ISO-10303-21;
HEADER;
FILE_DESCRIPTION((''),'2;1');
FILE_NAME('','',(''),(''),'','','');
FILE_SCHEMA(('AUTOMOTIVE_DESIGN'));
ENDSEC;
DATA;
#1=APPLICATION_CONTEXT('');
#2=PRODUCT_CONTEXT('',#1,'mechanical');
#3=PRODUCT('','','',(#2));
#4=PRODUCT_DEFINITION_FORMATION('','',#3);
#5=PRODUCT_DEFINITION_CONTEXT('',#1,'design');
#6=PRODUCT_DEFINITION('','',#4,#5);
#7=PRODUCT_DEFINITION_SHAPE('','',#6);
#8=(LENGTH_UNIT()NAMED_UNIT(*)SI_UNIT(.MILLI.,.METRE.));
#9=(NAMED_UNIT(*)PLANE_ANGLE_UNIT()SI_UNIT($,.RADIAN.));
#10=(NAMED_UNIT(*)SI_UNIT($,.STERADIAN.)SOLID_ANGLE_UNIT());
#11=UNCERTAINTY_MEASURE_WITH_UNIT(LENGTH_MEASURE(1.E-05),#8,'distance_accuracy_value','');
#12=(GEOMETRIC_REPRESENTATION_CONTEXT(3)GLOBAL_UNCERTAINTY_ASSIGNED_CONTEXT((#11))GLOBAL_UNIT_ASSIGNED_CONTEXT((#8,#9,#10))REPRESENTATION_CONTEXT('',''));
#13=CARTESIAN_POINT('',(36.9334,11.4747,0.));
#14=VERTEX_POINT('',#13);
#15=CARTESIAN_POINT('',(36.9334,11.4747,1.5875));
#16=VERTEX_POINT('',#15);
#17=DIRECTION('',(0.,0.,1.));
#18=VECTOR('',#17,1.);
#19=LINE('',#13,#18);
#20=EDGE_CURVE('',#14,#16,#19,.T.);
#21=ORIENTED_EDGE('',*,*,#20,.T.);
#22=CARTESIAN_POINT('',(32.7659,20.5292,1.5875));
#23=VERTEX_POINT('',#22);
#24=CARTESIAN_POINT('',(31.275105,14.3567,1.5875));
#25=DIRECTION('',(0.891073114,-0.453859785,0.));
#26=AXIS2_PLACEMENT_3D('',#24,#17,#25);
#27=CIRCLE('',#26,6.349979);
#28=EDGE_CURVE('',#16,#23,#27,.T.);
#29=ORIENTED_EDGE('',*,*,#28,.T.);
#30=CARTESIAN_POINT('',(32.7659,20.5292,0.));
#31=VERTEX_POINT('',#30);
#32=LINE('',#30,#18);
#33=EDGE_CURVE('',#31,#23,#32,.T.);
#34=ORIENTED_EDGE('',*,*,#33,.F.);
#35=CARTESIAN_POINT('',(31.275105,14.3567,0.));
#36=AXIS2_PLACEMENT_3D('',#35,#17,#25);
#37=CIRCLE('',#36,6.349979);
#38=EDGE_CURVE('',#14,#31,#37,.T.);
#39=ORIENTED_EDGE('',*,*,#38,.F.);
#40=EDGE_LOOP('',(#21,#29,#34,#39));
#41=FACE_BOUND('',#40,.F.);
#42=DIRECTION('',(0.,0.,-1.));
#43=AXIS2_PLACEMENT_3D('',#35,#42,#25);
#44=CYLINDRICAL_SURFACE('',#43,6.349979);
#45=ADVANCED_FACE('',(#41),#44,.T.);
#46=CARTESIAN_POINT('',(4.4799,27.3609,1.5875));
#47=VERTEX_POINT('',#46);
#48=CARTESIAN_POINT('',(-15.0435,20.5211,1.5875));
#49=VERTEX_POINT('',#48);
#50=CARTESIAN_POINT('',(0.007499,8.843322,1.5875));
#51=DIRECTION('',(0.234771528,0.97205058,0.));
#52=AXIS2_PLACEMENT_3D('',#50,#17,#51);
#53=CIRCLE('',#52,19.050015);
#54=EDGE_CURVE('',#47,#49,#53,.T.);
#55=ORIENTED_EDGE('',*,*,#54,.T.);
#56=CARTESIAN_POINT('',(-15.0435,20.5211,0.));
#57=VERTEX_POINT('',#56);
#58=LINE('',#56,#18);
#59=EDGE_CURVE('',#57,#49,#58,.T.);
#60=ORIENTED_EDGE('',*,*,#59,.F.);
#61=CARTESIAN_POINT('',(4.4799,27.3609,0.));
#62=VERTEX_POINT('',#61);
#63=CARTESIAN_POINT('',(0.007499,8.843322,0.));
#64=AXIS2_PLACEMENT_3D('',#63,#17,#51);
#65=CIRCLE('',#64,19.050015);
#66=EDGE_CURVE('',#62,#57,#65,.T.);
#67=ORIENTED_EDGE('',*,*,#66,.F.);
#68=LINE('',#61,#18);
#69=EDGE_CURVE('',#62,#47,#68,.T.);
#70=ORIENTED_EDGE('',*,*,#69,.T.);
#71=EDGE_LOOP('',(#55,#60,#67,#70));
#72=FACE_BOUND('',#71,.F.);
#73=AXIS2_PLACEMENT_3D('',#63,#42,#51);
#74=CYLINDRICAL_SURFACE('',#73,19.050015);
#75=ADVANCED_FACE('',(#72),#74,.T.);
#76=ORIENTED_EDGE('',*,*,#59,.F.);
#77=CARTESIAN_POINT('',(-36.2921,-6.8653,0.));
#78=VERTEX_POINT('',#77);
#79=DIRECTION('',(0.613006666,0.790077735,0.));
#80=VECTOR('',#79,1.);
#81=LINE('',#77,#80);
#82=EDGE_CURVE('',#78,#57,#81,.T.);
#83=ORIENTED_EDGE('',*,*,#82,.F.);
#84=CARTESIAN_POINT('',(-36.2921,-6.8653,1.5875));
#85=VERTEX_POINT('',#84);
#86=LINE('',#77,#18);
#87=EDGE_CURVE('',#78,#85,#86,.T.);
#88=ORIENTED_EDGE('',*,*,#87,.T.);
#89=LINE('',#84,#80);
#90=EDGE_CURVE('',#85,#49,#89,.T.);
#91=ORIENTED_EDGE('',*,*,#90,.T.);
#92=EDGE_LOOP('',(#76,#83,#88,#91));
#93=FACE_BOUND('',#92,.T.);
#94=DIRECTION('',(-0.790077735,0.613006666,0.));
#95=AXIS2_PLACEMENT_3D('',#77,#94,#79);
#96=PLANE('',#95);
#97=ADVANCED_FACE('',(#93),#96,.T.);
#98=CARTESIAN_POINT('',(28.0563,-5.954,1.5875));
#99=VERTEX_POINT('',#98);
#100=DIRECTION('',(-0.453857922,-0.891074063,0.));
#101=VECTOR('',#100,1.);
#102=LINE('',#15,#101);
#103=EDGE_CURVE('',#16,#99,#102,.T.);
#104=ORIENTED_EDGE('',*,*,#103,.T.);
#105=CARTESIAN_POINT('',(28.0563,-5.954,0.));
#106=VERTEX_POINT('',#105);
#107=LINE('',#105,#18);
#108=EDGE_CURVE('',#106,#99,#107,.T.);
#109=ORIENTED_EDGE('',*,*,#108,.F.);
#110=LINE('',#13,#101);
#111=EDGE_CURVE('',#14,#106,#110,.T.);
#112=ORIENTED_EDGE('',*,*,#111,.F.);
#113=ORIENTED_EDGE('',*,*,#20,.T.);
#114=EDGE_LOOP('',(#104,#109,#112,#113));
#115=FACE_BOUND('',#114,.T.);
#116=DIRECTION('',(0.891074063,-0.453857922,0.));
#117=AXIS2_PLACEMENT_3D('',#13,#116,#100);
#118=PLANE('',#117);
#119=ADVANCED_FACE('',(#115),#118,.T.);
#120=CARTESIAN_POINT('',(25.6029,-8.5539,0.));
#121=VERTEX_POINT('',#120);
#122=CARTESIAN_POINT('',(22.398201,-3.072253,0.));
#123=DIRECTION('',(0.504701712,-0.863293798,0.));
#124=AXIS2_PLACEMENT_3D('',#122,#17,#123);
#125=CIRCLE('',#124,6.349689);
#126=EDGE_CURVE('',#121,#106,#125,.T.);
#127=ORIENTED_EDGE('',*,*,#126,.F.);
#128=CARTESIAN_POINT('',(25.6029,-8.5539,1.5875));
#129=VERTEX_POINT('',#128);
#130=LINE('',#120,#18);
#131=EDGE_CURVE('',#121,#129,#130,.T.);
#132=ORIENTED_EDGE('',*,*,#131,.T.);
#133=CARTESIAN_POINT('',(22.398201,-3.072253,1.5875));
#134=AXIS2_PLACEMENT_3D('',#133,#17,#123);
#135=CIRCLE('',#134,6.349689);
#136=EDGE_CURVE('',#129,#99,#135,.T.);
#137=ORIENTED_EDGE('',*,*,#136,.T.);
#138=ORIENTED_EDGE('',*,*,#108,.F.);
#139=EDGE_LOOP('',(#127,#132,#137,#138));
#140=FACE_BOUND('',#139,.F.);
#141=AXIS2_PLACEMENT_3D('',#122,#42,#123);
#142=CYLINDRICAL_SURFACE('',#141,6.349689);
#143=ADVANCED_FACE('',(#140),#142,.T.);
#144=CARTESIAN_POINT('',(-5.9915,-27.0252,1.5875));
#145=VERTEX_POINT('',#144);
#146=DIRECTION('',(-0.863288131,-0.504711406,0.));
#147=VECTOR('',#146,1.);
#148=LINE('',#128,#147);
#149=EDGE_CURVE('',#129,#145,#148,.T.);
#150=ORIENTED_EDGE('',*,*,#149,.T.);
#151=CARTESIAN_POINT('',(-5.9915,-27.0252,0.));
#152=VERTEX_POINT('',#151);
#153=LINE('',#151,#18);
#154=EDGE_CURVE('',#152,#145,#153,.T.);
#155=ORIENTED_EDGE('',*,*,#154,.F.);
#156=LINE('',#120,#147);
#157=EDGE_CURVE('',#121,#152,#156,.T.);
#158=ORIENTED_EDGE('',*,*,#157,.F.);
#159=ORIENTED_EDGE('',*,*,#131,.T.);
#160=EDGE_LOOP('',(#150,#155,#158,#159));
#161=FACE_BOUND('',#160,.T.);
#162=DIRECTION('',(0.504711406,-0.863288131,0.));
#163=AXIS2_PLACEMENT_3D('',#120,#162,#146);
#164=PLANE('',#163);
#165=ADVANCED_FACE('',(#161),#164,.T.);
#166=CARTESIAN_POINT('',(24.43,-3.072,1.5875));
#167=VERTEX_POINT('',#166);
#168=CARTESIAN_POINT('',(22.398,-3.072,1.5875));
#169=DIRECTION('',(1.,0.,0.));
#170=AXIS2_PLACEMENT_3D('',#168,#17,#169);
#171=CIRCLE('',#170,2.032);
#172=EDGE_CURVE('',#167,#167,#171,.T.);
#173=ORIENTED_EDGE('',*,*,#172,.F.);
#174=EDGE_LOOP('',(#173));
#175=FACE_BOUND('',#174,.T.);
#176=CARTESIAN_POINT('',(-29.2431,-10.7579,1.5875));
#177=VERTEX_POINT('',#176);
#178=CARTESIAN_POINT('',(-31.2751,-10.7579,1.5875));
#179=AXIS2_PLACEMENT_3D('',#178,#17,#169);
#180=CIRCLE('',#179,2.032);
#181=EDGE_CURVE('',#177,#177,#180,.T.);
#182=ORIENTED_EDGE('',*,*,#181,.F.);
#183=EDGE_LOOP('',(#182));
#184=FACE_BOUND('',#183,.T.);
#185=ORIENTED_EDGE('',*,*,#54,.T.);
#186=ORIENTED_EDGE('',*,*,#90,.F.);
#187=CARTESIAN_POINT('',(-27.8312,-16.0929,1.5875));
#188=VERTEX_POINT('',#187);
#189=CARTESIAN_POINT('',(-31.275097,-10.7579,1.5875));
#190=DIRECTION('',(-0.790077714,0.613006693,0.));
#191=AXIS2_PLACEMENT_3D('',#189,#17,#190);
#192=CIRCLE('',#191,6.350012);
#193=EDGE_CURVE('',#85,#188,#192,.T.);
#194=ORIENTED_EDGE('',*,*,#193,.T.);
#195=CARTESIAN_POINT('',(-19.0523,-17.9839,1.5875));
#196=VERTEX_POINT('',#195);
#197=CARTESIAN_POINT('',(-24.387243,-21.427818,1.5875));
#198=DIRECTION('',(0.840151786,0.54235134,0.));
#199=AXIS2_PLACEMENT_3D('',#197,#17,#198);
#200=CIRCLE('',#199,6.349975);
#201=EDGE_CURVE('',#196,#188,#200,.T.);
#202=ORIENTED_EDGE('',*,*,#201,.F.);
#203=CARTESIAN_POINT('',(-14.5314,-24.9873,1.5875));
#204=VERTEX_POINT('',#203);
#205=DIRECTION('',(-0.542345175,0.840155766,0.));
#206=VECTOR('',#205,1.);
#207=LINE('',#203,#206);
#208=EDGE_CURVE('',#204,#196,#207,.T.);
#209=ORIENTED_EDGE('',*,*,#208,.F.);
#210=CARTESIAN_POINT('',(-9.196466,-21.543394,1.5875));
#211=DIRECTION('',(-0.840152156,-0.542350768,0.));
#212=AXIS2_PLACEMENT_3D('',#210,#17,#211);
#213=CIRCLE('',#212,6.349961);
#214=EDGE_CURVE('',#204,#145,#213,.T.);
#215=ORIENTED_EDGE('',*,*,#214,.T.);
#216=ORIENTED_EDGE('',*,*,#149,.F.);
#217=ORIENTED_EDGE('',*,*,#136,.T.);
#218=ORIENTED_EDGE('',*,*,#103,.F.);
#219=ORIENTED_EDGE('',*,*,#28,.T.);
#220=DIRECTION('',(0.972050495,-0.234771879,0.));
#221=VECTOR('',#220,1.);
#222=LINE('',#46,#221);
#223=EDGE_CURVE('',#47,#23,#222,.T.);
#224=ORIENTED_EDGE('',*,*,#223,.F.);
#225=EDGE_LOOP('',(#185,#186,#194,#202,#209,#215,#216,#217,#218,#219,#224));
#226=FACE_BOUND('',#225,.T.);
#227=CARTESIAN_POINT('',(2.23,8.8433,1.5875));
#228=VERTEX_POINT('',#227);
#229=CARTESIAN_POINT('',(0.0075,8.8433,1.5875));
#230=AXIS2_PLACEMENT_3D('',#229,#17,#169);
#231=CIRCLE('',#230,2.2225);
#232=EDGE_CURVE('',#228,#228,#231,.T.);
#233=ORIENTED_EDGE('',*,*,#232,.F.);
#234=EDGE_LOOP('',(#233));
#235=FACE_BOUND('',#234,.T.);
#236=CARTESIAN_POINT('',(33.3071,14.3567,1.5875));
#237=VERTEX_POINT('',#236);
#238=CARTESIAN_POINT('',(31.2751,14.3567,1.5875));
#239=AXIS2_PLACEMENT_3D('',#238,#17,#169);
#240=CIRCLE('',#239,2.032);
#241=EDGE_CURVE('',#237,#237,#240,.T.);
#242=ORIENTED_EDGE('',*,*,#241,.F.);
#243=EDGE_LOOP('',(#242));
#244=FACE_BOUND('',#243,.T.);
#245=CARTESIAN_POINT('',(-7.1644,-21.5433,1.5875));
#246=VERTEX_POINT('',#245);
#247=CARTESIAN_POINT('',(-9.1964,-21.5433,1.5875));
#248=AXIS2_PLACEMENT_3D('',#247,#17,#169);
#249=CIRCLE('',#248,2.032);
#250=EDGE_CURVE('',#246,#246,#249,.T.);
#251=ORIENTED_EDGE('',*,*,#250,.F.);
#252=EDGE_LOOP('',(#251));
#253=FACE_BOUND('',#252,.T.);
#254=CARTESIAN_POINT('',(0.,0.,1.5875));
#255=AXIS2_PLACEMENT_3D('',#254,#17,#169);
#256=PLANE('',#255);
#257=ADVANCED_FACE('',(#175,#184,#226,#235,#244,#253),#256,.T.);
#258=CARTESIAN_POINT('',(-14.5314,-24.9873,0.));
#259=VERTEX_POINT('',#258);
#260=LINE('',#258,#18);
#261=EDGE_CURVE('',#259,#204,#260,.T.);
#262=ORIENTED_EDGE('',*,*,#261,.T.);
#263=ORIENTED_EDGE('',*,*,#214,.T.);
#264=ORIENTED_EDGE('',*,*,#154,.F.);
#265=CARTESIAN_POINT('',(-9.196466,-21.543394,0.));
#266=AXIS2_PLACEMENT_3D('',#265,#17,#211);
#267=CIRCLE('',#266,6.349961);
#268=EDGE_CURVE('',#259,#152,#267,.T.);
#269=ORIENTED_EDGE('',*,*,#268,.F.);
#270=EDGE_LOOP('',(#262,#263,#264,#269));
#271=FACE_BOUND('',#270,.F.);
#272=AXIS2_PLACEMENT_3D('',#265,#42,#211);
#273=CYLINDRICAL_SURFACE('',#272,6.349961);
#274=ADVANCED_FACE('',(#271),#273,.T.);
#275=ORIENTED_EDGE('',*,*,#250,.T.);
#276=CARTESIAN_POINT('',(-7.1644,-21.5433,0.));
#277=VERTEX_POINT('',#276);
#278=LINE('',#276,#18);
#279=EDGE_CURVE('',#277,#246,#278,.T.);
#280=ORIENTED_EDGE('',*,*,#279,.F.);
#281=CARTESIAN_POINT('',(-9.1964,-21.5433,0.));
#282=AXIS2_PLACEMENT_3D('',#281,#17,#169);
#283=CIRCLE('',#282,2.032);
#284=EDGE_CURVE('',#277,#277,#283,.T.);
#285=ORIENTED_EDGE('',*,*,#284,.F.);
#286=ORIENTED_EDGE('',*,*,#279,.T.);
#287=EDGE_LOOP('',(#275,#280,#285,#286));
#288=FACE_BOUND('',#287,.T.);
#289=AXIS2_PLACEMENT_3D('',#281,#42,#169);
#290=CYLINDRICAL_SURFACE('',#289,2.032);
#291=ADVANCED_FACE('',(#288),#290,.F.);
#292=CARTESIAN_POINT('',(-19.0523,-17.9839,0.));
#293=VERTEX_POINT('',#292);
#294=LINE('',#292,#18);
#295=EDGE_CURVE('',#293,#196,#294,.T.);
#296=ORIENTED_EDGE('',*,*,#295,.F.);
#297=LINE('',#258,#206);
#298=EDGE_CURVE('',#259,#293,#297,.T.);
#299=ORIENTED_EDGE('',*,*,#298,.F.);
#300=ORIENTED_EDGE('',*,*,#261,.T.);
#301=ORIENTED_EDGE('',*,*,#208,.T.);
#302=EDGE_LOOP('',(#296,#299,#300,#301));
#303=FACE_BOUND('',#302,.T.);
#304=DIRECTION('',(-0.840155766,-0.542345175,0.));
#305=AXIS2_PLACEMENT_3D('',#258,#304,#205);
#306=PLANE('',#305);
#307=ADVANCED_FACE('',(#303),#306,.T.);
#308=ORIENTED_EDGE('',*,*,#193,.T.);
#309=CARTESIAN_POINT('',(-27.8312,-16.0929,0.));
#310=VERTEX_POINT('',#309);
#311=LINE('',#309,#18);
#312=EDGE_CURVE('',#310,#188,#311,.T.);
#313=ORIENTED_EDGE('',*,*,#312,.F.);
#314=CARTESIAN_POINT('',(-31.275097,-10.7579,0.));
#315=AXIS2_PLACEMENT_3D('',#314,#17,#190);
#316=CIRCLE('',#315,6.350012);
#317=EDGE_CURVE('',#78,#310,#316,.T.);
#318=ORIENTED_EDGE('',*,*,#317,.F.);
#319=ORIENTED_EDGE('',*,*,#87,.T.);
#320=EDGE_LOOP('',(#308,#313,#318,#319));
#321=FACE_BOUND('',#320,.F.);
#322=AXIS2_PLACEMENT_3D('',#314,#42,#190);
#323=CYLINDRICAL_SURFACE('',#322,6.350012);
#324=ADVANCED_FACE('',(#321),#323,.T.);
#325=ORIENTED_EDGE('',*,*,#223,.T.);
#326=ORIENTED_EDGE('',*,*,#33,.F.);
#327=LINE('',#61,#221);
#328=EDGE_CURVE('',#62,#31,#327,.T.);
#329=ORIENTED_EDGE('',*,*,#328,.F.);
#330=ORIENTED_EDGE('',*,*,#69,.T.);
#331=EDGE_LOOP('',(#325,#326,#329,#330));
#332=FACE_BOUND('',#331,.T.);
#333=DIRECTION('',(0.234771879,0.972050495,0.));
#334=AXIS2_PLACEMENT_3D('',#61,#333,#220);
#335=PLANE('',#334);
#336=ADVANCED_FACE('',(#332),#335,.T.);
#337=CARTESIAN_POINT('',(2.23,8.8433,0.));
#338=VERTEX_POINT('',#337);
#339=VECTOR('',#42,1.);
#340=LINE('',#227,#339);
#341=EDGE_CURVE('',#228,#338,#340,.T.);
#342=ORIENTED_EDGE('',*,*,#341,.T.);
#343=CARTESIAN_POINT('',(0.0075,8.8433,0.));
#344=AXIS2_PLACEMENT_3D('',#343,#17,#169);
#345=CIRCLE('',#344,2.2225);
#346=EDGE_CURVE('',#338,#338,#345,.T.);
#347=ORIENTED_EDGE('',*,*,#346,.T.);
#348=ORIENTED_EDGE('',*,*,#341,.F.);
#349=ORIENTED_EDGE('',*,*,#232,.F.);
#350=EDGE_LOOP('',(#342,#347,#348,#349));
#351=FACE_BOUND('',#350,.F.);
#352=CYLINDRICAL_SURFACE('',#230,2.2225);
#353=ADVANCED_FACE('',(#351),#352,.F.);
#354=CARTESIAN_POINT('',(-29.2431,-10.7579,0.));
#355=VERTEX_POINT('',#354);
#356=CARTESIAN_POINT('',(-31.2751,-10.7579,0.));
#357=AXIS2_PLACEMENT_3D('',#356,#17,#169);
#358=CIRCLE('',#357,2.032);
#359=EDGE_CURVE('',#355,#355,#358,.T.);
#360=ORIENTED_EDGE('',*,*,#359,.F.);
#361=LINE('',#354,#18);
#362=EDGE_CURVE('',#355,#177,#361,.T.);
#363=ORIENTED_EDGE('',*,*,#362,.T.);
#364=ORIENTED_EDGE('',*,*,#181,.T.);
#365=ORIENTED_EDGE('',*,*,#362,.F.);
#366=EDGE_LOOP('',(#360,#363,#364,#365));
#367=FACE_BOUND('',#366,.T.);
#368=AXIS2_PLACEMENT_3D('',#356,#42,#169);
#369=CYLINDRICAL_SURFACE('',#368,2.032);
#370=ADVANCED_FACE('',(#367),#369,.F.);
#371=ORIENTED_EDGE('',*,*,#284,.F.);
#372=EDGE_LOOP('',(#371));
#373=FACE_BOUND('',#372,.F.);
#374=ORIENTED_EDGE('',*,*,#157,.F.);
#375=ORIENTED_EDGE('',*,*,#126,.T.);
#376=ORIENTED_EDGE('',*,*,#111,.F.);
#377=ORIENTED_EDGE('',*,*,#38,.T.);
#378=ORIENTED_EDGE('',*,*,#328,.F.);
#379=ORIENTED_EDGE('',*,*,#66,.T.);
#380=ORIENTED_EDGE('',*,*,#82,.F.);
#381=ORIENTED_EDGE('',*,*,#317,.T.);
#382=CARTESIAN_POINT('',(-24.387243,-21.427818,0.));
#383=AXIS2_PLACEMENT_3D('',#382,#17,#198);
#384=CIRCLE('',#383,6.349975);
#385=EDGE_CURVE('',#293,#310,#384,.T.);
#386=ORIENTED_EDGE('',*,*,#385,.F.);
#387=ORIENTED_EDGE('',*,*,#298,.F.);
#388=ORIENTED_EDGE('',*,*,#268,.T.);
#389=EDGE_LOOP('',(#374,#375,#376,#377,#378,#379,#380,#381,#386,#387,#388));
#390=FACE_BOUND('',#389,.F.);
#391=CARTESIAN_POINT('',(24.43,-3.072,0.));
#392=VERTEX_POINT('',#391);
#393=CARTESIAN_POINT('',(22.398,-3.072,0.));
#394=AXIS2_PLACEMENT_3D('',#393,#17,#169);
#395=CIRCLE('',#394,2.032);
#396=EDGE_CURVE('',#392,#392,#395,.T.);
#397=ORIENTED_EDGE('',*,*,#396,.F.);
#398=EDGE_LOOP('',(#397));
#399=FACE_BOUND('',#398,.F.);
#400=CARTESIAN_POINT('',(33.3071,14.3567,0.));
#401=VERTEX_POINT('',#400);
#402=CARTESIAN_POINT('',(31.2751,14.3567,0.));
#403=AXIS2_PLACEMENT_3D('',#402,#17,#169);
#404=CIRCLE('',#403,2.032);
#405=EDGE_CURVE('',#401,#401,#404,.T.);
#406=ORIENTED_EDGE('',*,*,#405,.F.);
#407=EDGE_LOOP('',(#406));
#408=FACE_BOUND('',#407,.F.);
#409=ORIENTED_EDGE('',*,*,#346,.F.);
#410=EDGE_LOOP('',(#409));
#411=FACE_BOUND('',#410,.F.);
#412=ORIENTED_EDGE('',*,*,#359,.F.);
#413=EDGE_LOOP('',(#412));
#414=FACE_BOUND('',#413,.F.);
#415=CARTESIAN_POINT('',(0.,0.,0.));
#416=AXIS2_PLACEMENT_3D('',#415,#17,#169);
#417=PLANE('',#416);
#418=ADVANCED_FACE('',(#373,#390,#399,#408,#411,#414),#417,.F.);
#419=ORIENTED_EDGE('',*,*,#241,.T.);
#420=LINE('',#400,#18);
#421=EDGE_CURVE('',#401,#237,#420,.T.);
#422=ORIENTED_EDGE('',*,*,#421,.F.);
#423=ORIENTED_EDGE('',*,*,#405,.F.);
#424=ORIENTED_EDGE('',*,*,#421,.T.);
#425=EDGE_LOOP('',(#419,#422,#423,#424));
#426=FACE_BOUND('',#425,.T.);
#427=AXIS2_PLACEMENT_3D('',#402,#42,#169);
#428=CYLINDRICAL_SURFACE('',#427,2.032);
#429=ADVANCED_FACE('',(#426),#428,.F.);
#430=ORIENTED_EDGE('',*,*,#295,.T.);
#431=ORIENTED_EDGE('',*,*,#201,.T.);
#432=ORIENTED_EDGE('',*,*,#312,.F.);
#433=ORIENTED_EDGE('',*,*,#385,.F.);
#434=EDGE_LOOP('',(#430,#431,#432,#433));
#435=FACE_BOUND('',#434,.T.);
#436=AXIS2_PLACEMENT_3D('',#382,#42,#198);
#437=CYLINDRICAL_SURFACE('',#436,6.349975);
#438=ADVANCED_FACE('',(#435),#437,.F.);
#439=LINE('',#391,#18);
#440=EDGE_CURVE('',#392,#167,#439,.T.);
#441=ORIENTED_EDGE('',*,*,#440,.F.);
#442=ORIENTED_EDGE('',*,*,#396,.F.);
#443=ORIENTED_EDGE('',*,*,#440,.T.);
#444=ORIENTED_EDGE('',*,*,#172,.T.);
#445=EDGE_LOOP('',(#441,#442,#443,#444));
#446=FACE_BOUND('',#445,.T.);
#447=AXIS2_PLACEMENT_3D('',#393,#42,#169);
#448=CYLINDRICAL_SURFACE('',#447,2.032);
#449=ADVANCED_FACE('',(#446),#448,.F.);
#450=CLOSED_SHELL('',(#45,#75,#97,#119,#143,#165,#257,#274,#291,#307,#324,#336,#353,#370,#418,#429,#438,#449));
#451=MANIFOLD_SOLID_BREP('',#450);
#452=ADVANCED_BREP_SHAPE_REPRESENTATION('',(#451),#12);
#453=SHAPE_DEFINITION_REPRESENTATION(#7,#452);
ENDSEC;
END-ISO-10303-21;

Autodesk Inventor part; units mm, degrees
ref_plane "YZ Plane" through (0, 0, 0) normal (1, 0, 0) x (0, 1, 0)
ref_plane "XZ Plane" through (0, 0, 0) normal (0, 1, 0) x (-1, 0, 0)
ref_plane "Work Plane1" through (0, 0, 0) normal (0, 0, 1) x (1, 0, 0)
sketch "Sketch1" plane through (0, 0, 0) normal (0, 0, 1) x (1, 0, 0)
  circle A0 centre (31.2751, 14.3567) radius 2.032
  circle A1 centre (-31.2751, -10.7579) radius 2.032
  circle A2 centre (-9.1964, -21.5433) radius 2.032
  line L0 (4.4799, 27.3609) -> (32.7659, 20.5292)
  arc A3 (4.4799, 27.3609) -> (-15.0435, 20.5211) centre (0.0075, 8.8433) ccw
  line L1 (-36.2921, -6.8653) -> (-15.0435, 20.5211)
  arc A4 (-36.2921, -6.8653) -> (-27.8312, -16.0929) centre (-31.2751, -10.7579) ccw
  arc A5 (-19.0523, -17.9839) -> (-27.8312, -16.0929) centre (-24.3873, -21.4279) ccw
  line L2 (-14.5314, -24.9873) -> (-19.0523, -17.9839)
  arc A6 (36.9334, 11.4747) -> (32.7659, 20.5292) centre (31.2751, 14.3567) ccw
  arc A7 (-14.5314, -24.9873) -> (-5.9915, -27.0252) centre (-9.1964, -21.5433) ccw
  arc A8 (25.6029, -8.5539) -> (28.0563, -5.954) centre (22.398, -3.072) ccw
  circle A9 centre (22.398, -3.072) radius 2.032
  line L3 (36.9334, 11.4747) -> (28.0563, -5.954)
  line L4 (25.6029, -8.5539) -> (-5.9915, -27.0252)
  line L5 (72.5061, 7.5054) -> (72.5061, 11.8054)
  circle A10 centre (0.0075, 8.8433) radius 2.2225
  point P0 (0, 0)
  dimension "d14" = 4.064
  dimension "d17" = 4.445
extrude "Plate3" add sketch "Sketch1" along normal blind 1.5875 contours L0 A6 L3 A8 L4 A7 L2 A5 A4 L1 A3 | A10
sketch "Sketch2" plane through (0, 0, 1.5875) normal (0, 0, 1) x (1, 0, 0)
  arc A0 (4.4799, 27.3609) -> (-15.0435, 20.5211) centre (0.0075, 8.8433) ccw projected
  line L0 (4.4799, 27.3609) -> (32.7659, 20.5292) projected
  arc A1 (36.9334, 11.4747) -> (32.7659, 20.5292) centre (31.2751, 14.3567) ccw projected
  line L1 (36.9334, 11.4747) -> (28.0563, -5.954) projected
  arc A2 (25.6029, -8.5539) -> (28.0563, -5.954) centre (22.398, -3.072) ccw projected
  line L2 (25.6029, -8.5539) -> (-5.9915, -27.0252) projected
  arc A3 (-14.5314, -24.9873) -> (-5.9915, -27.0252) centre (-9.1964, -21.5433) ccw projected
  line L3 (-14.5314, -24.9873) -> (-19.0523, -17.9839) projected
  arc A4 (-19.0523, -17.9839) -> (-27.8312, -16.0929) centre (-24.3873, -21.4279) ccw projected
  arc A5 (-36.2921, -6.8653) -> (-27.8312, -16.0929) centre (-31.2751, -10.7579) ccw projected
  line L4 (-36.2921, -6.8653) -> (-15.0435, 20.5211) projected
  circle A6 centre (31.2751, 14.3567) radius 2.032 projected
  circle A7 centre (22.398, -3.072) radius 2.032 projected
  circle A8 centre (-9.1964, -21.5433) radius 2.032 projected
  circle A9 centre (-31.2751, -10.7579) radius 2.032 projected
  circle A10 centre (0.0075, 8.8433) radius 2.2225
  point P0 (0, 0)
  dimension "d16" = 4.445
extrude "Extrusion1" cut sketch "Sketch2" against normal blind 15.875 contours A10
equation "\"d15\" = Thickness"
equation "\"BendRadius\" = Thickness"
equation "\"BendReliefWidth\" = Thickness"
equation "\"BendReliefDepth\" = 0.5 * Thickness"
equation "\"CornerReliefSize\" = 4 * Thickness"
equation "\"MinimumRemnant\" = 2 * Thickness"
equation "\"TransitionRadius\" = BendRadius"
equation "\"JacobiRadiusSize\" = BendRadius"
equation "\"GapSize\" = Thickness"
equation "\"Thickness\" = 1.5875"
properties part number "Front Horizontal Odom Pod Rot Side" material "Acetal Resin, White"
